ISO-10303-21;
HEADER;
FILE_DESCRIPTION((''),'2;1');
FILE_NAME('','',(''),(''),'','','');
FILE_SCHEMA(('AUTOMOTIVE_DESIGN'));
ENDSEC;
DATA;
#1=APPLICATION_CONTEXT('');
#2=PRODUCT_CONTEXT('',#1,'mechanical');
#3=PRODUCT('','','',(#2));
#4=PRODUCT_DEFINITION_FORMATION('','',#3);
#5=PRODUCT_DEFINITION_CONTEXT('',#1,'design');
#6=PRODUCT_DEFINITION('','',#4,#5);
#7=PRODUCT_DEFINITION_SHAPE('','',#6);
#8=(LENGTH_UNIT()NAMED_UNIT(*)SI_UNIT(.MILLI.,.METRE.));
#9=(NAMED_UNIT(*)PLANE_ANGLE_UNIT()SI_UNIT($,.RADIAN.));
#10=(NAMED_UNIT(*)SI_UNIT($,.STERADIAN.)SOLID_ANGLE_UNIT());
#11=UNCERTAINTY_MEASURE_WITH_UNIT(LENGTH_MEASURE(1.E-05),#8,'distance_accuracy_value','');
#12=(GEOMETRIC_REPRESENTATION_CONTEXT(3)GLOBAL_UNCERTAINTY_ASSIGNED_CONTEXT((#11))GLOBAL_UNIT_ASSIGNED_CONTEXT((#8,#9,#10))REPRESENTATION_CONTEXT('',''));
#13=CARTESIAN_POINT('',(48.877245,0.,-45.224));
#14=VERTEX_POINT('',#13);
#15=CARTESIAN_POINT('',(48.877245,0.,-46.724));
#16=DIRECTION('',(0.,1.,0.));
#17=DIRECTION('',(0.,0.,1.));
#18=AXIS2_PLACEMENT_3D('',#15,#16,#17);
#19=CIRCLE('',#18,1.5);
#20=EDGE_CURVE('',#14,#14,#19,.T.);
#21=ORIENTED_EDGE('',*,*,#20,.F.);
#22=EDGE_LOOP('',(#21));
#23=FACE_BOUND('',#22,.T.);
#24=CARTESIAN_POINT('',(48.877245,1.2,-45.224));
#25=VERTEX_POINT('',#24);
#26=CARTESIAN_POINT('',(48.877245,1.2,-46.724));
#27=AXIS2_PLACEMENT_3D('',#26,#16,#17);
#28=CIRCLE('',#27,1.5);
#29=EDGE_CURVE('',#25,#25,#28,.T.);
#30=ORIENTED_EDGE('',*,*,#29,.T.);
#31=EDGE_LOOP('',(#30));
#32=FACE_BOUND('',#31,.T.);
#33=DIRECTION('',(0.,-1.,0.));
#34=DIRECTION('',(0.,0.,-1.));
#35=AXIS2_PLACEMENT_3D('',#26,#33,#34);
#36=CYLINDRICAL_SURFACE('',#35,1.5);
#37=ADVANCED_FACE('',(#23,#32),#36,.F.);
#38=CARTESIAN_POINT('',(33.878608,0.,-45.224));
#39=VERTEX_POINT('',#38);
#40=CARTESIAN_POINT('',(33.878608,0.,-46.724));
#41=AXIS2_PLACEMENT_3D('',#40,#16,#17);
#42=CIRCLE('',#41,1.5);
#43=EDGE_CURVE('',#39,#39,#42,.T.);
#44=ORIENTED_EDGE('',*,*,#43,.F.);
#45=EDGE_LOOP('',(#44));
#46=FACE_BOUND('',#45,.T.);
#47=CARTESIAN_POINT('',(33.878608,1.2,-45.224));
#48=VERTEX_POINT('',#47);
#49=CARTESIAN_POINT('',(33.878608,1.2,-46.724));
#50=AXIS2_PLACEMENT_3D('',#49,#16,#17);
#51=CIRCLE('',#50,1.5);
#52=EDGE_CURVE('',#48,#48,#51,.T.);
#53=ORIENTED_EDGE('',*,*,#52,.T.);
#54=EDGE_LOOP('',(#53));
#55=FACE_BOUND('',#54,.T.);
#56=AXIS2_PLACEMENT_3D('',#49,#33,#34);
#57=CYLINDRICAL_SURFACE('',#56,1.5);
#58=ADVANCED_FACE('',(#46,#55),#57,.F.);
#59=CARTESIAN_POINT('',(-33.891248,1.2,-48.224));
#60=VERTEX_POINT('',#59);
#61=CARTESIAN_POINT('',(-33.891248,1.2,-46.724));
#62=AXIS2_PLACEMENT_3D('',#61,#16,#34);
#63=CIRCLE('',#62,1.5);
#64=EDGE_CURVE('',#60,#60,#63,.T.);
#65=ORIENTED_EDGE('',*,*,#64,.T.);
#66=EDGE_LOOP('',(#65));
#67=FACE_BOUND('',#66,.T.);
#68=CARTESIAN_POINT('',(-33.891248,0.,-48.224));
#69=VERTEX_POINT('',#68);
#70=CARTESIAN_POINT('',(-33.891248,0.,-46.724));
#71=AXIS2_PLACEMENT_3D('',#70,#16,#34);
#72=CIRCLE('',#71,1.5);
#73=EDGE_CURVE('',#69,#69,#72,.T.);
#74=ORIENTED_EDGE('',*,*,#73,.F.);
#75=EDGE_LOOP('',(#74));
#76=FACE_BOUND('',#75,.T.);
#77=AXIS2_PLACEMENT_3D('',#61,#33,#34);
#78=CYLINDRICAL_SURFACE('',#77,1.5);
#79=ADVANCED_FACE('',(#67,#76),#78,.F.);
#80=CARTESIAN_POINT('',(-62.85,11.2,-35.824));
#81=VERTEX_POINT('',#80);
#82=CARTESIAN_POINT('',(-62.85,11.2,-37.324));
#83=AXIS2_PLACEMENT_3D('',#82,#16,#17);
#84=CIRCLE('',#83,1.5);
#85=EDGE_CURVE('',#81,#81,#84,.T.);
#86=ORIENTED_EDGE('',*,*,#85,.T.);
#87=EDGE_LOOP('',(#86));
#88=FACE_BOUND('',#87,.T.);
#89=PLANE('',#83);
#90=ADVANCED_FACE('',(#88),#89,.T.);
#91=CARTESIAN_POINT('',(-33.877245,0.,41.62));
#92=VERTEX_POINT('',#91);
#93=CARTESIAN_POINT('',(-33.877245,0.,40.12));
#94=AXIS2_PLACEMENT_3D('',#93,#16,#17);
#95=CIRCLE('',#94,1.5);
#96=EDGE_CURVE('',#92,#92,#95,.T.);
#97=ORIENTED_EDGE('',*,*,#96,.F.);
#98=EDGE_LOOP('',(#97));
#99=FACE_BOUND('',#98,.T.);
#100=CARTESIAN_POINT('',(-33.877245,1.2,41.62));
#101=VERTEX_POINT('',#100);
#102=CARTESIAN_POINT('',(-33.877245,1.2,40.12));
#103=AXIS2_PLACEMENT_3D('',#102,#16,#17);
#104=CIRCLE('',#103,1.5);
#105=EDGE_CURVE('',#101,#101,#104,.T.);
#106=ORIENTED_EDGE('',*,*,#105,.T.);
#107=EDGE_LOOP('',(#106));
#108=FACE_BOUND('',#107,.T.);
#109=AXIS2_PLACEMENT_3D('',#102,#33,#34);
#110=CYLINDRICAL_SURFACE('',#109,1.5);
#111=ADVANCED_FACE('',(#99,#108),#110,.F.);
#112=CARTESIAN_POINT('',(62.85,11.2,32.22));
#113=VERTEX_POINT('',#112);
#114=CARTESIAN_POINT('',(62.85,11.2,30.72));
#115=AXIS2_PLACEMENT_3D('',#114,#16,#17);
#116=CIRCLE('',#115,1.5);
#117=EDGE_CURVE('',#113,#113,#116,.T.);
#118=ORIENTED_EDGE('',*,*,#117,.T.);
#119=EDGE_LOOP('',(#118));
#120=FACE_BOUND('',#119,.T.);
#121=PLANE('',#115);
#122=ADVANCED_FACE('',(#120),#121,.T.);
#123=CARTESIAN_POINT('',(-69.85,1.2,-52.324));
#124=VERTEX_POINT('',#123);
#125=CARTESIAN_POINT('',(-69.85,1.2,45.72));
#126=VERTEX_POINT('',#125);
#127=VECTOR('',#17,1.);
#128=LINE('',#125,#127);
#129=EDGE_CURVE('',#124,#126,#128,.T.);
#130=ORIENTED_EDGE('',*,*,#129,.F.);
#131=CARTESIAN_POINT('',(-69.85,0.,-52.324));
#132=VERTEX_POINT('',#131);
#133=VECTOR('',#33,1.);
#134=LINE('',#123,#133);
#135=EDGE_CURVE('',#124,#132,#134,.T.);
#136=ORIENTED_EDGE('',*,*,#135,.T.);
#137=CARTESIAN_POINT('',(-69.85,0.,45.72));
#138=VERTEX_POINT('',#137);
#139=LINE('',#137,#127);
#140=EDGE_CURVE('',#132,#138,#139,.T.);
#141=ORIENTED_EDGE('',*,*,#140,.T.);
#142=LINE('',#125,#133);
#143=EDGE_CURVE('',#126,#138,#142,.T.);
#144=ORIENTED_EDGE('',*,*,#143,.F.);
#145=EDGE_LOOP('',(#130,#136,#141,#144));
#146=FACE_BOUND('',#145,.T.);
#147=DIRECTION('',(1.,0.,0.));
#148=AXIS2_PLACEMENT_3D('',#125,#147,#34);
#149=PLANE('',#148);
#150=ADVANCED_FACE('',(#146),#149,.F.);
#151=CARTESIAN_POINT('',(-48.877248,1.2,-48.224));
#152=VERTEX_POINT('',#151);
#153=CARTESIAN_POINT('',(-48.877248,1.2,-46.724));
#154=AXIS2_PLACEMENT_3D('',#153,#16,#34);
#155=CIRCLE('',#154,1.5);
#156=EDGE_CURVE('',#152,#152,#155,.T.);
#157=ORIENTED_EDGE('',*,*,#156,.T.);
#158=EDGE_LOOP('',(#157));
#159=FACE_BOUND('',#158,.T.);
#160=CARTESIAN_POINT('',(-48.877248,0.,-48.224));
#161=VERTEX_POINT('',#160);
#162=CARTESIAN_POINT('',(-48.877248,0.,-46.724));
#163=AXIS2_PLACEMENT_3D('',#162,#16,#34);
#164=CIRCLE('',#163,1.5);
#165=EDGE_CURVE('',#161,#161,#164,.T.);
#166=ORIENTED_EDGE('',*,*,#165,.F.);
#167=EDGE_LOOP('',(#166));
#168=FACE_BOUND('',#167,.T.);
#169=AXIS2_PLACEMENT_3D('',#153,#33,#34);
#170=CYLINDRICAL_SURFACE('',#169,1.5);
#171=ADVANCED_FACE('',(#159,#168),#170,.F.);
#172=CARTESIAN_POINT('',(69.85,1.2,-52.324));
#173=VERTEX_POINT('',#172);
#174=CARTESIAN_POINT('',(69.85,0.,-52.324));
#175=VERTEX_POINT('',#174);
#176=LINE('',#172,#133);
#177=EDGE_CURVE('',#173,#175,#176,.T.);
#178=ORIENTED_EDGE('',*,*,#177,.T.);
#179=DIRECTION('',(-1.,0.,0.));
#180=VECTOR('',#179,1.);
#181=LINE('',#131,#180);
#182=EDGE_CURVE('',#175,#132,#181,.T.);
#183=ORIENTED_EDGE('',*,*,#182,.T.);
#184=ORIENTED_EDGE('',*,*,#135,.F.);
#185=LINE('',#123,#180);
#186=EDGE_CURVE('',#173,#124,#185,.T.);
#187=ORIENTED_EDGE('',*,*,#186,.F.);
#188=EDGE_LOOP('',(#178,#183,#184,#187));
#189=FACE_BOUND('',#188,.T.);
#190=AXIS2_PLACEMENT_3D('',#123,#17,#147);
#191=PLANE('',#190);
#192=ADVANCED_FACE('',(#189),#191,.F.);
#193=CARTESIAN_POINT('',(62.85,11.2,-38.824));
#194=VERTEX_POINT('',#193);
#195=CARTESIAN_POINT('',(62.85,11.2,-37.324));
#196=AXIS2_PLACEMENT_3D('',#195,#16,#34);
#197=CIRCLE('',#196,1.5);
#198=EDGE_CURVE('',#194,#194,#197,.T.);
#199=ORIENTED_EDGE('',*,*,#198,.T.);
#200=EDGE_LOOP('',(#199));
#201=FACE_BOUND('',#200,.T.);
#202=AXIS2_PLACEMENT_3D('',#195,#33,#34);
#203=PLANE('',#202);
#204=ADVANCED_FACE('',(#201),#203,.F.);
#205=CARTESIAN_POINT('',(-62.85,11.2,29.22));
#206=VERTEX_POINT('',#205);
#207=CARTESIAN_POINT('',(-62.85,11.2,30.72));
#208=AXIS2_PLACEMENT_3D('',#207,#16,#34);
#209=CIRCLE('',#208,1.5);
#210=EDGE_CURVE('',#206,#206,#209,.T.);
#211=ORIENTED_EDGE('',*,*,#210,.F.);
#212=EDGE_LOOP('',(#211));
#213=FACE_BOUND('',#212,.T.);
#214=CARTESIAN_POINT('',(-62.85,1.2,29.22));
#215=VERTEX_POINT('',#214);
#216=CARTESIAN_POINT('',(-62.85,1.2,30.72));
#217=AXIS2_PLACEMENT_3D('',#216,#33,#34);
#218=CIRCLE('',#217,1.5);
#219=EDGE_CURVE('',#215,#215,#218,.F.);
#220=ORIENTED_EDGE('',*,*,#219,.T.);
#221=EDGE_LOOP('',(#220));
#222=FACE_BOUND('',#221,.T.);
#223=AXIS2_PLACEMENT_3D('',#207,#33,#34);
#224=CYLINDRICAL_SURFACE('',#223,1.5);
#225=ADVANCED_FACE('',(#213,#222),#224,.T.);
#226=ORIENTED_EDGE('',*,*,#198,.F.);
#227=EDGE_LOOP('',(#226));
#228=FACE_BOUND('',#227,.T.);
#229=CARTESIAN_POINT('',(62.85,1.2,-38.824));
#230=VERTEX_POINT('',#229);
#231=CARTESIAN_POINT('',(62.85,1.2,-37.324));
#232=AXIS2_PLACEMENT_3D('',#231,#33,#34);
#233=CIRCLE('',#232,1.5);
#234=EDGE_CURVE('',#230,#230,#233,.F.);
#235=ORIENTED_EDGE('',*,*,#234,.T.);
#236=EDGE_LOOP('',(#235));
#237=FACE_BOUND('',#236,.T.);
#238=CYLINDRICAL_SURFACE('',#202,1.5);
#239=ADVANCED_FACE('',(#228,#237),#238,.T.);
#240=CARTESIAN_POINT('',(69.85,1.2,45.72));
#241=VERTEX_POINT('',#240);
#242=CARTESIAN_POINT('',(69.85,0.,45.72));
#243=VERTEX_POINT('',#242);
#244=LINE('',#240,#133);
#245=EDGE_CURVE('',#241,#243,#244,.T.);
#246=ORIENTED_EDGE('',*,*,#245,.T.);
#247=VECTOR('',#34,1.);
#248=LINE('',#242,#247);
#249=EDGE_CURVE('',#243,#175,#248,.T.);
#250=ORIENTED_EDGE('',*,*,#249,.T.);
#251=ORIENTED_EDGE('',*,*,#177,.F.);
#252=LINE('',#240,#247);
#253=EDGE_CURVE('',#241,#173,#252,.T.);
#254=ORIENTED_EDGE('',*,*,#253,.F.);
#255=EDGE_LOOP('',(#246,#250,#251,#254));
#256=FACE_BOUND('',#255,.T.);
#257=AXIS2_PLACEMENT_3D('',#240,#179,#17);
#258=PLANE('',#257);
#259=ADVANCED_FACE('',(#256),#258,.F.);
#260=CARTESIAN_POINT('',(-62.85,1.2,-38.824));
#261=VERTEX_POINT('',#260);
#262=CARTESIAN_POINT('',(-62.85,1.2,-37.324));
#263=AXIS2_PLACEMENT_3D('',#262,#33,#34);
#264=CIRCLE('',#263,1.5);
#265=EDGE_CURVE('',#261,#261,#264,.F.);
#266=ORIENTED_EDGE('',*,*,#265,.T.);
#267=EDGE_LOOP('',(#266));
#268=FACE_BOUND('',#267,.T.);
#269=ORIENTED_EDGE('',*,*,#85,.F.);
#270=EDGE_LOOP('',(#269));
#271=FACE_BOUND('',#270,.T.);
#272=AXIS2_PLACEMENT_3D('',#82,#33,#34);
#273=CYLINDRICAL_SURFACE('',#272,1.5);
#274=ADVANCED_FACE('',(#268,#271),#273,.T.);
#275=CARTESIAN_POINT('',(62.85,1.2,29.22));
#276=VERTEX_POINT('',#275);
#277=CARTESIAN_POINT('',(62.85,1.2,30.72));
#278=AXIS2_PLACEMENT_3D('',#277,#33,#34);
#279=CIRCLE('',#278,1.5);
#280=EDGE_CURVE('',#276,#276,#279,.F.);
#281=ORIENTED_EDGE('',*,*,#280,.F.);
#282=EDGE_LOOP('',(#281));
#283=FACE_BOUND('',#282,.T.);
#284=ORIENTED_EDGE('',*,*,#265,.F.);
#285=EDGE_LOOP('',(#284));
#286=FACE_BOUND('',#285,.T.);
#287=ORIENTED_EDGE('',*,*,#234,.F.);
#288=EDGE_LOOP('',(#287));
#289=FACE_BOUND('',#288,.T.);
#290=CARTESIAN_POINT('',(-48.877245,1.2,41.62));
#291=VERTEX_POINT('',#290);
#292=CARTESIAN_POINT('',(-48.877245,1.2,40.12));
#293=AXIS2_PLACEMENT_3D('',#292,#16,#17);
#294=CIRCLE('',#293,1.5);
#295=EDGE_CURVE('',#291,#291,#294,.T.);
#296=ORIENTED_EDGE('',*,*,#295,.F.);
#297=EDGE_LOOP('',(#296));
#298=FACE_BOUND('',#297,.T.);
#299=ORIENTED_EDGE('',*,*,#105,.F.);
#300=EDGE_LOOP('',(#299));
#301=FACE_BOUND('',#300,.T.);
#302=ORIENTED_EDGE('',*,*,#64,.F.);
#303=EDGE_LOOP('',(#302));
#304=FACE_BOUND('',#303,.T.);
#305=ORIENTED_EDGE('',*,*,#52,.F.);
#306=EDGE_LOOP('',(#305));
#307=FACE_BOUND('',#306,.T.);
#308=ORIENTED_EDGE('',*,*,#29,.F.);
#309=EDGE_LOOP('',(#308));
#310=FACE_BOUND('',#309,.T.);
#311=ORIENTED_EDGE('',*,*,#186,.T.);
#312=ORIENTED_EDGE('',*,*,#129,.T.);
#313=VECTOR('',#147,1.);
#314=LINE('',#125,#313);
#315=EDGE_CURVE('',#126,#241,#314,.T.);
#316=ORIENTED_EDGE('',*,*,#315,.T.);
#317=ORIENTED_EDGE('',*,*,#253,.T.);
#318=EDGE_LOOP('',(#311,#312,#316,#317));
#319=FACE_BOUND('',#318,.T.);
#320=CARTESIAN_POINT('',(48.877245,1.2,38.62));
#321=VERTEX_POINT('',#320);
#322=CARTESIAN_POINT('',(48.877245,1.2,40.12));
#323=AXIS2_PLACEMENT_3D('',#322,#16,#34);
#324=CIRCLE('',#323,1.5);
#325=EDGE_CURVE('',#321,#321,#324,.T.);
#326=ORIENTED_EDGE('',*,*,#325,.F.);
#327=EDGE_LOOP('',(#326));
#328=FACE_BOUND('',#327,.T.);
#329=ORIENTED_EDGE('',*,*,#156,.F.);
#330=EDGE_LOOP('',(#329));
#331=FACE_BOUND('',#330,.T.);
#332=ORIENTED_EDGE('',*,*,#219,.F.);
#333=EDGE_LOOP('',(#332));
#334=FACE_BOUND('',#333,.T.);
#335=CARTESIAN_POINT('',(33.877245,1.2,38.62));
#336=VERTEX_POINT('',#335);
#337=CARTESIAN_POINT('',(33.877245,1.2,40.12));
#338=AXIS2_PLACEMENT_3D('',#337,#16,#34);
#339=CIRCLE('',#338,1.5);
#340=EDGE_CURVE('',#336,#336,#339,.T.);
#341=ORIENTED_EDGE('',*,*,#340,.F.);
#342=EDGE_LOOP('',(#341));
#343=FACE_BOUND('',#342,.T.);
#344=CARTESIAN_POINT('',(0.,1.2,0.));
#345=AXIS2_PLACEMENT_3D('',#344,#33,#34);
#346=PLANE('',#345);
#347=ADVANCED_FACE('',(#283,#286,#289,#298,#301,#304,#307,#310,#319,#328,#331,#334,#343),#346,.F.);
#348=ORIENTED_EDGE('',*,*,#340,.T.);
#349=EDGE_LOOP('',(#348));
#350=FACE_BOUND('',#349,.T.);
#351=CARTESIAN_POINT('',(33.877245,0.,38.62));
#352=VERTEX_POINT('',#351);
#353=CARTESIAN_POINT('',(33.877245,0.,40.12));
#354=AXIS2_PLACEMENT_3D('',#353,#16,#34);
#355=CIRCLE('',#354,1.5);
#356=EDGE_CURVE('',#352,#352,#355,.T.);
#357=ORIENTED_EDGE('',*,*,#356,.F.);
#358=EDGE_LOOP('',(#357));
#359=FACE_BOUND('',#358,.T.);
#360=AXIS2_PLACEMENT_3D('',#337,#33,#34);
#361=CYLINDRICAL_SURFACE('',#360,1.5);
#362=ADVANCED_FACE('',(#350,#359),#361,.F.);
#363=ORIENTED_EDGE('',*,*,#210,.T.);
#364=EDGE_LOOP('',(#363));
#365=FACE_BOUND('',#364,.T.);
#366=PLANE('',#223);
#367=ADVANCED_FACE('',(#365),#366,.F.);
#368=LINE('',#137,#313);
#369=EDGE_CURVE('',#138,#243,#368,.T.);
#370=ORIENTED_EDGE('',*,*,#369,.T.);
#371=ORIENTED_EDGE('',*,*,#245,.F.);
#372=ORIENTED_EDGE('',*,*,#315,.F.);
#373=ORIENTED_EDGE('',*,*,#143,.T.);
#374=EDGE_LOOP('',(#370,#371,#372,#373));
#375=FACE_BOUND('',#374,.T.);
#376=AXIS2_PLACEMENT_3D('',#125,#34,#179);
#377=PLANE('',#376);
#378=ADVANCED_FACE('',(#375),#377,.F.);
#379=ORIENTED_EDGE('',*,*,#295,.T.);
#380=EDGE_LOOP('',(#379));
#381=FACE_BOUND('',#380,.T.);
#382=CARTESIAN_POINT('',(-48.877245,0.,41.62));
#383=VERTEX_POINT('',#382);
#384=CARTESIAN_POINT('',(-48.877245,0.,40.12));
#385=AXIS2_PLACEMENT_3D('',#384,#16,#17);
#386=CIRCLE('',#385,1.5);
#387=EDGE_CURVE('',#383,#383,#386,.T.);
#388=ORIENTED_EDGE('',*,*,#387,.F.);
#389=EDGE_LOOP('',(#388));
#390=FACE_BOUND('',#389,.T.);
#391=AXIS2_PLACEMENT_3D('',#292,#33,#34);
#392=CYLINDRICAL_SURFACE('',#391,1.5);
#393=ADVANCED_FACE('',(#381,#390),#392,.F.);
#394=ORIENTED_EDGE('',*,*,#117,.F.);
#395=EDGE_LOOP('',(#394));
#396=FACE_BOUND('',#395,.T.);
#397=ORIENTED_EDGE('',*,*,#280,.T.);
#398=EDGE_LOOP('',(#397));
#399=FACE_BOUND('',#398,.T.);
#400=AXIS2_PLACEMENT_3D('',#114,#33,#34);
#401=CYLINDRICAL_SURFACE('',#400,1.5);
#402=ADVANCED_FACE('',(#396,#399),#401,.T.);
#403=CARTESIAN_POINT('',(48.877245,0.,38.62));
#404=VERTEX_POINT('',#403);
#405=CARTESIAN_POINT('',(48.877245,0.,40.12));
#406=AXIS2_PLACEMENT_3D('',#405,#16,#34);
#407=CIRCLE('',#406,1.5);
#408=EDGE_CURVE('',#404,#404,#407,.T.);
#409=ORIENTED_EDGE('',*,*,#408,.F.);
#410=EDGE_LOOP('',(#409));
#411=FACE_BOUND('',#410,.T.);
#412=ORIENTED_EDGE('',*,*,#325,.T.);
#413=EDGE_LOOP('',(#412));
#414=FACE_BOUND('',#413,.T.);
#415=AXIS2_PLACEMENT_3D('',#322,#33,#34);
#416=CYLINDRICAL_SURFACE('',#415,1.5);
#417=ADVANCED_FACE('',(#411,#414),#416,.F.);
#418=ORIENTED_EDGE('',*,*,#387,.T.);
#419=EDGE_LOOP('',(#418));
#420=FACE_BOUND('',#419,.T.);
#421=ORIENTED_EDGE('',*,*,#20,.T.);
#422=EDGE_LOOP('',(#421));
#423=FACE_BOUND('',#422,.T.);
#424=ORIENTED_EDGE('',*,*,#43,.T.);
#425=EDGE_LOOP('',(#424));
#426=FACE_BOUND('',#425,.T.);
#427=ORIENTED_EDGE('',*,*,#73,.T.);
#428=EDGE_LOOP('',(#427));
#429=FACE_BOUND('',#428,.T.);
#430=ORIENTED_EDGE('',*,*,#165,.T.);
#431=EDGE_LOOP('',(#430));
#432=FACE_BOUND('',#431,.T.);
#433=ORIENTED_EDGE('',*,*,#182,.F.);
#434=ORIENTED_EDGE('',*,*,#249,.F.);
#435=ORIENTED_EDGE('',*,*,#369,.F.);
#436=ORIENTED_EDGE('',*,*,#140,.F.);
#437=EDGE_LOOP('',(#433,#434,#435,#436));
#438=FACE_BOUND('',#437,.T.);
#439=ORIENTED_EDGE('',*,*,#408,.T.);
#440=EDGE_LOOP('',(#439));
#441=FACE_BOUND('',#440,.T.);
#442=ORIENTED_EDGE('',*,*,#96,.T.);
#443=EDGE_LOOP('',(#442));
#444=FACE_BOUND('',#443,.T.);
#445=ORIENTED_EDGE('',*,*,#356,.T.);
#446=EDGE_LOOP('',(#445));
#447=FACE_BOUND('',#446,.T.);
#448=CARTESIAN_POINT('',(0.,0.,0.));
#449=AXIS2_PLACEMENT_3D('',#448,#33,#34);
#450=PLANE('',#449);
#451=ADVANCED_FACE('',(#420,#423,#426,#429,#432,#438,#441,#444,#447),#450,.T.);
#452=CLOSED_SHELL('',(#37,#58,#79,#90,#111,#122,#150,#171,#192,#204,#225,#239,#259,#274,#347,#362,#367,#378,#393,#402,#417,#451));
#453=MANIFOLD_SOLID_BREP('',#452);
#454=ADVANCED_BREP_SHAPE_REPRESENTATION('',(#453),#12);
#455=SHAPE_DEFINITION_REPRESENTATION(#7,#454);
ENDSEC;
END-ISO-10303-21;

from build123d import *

# Parameters (mm, degrees)
SKETCH1_W           = 139.7
SKETCH1_H           = 98.044
SKETCH1_R           = 1.5
BOSS_EXTRUDE1_DEPTH = 1.2
SKETCH2_R           = 1.5
BOSS_EXTRUDE2_DEPTH = 10


with BuildPart() as part:
    # Sketch1 → Boss-Extrude1 (new body)
    with BuildSketch(Plane(origin=(0, 0, 0), x_dir=(1, 0, 0), z_dir=(0, 1, 0))):
        with Locations((0, 3.302)):
            Rectangle(SKETCH1_W, SKETCH1_H)
        with Locations(Location((-48.8772454, -40.12, 0), (0, 0, 270))):
            Circle(SKETCH1_R, mode=Mode.SUBTRACT)
        with Locations(Location((-33.8772454, -40.12, 0), (0, 0, 270))):
            Circle(SKETCH1_R, mode=Mode.SUBTRACT)
        with Locations(Location((-33.891248194, 46.724, 0), (0, 0, 90))):
            Circle(SKETCH1_R, mode=Mode.SUBTRACT)
        with Locations(Location((-48.877248194, 46.724, 0), (0, 0, 90))):
            Circle(SKETCH1_R, mode=Mode.SUBTRACT)
        with Locations(Location((33.878607802, 46.724, 0), (0, 0, 270))):
            Circle(SKETCH1_R, mode=Mode.SUBTRACT)
        with Locations(Location((48.8772454, 46.724, 0), (0, 0, 270))):
            Circle(SKETCH1_R, mode=Mode.SUBTRACT)
        with Locations(Location((33.8772454, -40.12, 0), (0, 0, 90))):
            Circle(SKETCH1_R, mode=Mode.SUBTRACT)
        with Locations(Location((48.8772454, -40.12, 0), (0, 0, 90))):
            Circle(SKETCH1_R, mode=Mode.SUBTRACT)
    extrude(amount=BOSS_EXTRUDE1_DEPTH)

    # Sketch2 → Boss-Extrude2 (add)
    with BuildSketch(Plane(origin=(0, 1.2, 0), x_dir=(1, 0, 0), z_dir=(0, 1, 0))):
        with Locations(Location((-62.85, 37.324, 0), (0, 0, 90))):
            Circle(SKETCH2_R)
        with Locations(Location((-62.85, -30.72, 0), (0, 0, 90))):
            Circle(SKETCH2_R)
        with Locations(Location((62.85, -30.72, 0), (0, 0, 90))):
            Circle(SKETCH2_R)
        with Locations(Location((62.85, 37.324, 0), (0, 0, 90))):
            Circle(SKETCH2_R)
    extrude(amount=BOSS_EXTRUDE2_DEPTH)


solid = part.part
